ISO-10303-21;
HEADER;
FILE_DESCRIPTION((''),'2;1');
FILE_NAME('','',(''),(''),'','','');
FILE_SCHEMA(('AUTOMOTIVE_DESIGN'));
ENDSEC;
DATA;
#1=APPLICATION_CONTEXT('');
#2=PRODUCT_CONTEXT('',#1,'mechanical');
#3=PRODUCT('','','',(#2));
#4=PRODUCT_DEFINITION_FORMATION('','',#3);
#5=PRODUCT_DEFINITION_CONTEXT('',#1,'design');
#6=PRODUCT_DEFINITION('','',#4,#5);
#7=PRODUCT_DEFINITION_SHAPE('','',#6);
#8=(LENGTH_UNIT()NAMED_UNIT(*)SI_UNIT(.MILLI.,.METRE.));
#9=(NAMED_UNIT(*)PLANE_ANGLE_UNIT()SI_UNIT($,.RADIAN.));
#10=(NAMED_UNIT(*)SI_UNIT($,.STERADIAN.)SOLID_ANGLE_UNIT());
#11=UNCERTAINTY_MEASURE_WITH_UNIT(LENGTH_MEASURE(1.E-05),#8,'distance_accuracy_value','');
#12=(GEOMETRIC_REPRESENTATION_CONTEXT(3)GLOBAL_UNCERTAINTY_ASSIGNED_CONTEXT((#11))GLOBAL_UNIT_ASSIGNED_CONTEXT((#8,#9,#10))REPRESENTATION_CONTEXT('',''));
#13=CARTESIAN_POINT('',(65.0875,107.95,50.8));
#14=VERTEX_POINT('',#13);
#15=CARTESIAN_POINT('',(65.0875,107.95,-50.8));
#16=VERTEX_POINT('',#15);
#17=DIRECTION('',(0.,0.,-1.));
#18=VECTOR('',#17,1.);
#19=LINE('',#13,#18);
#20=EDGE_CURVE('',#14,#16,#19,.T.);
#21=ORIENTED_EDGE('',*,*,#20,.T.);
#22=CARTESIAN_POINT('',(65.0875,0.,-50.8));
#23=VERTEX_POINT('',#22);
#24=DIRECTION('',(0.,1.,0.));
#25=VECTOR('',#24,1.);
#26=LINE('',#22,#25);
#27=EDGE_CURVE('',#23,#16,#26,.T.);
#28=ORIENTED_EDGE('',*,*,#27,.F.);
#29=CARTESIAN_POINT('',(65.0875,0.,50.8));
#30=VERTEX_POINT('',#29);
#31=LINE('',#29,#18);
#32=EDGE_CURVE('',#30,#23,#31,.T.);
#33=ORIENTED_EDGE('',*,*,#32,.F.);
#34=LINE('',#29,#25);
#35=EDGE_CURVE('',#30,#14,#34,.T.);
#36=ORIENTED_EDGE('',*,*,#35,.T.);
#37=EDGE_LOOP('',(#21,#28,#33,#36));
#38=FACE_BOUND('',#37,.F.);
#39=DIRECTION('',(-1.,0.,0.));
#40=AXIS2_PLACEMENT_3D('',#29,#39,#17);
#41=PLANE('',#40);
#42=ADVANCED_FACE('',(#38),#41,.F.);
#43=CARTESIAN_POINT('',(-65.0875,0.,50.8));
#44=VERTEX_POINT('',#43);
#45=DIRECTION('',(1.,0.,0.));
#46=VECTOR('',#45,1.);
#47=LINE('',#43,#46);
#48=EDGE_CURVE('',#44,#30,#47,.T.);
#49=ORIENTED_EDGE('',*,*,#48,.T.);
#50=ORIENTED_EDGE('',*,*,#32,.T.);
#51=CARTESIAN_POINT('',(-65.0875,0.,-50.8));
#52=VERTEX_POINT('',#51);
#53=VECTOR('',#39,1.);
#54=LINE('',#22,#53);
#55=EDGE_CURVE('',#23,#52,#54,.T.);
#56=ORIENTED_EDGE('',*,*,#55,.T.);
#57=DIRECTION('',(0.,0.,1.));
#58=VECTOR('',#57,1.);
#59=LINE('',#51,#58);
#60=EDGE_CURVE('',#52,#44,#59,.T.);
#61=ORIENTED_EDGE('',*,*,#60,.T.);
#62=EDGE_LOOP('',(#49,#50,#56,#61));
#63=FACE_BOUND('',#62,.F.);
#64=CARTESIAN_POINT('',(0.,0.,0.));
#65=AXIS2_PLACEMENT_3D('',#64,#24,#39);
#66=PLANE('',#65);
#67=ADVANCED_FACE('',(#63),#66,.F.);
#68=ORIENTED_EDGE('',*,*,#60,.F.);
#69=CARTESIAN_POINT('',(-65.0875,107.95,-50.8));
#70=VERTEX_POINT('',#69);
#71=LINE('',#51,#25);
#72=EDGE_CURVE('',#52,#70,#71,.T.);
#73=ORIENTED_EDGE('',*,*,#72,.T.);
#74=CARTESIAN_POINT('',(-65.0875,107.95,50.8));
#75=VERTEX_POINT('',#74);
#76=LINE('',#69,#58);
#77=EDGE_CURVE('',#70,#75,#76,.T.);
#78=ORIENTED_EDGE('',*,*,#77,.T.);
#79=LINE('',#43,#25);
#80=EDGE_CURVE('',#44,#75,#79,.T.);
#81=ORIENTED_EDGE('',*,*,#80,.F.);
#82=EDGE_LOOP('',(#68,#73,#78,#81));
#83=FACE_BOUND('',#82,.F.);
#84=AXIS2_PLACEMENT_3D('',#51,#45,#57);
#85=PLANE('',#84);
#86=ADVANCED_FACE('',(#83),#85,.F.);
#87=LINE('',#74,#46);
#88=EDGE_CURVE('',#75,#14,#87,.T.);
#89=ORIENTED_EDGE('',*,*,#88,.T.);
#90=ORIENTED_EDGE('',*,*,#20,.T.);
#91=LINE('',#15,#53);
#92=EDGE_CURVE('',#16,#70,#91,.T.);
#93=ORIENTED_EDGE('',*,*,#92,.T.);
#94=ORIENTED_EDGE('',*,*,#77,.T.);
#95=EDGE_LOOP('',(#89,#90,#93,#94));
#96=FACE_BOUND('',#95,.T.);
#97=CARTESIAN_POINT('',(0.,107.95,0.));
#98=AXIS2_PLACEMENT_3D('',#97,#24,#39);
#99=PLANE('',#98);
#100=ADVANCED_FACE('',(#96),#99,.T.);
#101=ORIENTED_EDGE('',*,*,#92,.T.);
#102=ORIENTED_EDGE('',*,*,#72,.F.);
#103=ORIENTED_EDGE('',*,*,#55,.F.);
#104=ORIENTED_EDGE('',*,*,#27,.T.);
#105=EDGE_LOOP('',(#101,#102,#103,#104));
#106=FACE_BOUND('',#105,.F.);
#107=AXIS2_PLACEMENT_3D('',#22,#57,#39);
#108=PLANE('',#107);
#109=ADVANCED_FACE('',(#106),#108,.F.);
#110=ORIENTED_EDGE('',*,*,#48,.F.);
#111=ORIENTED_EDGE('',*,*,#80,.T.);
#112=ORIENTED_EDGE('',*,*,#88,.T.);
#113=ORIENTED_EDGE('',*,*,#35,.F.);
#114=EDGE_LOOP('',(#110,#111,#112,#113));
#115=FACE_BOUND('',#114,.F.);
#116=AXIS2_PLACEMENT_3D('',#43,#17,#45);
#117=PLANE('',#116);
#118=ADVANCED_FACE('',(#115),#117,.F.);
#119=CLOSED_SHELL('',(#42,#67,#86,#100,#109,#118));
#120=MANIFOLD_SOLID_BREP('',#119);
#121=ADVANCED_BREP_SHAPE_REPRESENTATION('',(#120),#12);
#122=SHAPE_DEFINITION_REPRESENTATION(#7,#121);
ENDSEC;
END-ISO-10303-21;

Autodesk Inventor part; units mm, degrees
ref_plane "YZ Plane" through (0, 0, 0) normal (1, 0, 0) x (0, 1, 0)
ref_plane "XZ Plane" through (0, 0, 0) normal (0, 1, 0) x (-1, 0, 0)
sketch "Sketch1" plane through (0, 0, 0) normal (0, 1, 0) x (-1, 0, 0)
  line L0 (65.0875, 50.8) -> (-65.0875, 50.8)
  line L1 (-65.0875, 50.8) -> (-65.0875, -50.8)
  line L2 (-65.0875, -50.8) -> (65.0875, -50.8)
  line L3 (65.0875, -50.8) -> (65.0875, 50.8)
  line L4 (65.0875, 50.8) -> (-65.0875, -50.8) construction
  line L5 (-65.0875, 50.8) -> (65.0875, -50.8) construction
  point P0 (0, 0)
  dimension "d0" = 130.175
  dimension "d1" = 101.6
extrude "Extrusion1" add sketch "Sketch1" along normal blind 107.95
properties part number "WinchVolume"
